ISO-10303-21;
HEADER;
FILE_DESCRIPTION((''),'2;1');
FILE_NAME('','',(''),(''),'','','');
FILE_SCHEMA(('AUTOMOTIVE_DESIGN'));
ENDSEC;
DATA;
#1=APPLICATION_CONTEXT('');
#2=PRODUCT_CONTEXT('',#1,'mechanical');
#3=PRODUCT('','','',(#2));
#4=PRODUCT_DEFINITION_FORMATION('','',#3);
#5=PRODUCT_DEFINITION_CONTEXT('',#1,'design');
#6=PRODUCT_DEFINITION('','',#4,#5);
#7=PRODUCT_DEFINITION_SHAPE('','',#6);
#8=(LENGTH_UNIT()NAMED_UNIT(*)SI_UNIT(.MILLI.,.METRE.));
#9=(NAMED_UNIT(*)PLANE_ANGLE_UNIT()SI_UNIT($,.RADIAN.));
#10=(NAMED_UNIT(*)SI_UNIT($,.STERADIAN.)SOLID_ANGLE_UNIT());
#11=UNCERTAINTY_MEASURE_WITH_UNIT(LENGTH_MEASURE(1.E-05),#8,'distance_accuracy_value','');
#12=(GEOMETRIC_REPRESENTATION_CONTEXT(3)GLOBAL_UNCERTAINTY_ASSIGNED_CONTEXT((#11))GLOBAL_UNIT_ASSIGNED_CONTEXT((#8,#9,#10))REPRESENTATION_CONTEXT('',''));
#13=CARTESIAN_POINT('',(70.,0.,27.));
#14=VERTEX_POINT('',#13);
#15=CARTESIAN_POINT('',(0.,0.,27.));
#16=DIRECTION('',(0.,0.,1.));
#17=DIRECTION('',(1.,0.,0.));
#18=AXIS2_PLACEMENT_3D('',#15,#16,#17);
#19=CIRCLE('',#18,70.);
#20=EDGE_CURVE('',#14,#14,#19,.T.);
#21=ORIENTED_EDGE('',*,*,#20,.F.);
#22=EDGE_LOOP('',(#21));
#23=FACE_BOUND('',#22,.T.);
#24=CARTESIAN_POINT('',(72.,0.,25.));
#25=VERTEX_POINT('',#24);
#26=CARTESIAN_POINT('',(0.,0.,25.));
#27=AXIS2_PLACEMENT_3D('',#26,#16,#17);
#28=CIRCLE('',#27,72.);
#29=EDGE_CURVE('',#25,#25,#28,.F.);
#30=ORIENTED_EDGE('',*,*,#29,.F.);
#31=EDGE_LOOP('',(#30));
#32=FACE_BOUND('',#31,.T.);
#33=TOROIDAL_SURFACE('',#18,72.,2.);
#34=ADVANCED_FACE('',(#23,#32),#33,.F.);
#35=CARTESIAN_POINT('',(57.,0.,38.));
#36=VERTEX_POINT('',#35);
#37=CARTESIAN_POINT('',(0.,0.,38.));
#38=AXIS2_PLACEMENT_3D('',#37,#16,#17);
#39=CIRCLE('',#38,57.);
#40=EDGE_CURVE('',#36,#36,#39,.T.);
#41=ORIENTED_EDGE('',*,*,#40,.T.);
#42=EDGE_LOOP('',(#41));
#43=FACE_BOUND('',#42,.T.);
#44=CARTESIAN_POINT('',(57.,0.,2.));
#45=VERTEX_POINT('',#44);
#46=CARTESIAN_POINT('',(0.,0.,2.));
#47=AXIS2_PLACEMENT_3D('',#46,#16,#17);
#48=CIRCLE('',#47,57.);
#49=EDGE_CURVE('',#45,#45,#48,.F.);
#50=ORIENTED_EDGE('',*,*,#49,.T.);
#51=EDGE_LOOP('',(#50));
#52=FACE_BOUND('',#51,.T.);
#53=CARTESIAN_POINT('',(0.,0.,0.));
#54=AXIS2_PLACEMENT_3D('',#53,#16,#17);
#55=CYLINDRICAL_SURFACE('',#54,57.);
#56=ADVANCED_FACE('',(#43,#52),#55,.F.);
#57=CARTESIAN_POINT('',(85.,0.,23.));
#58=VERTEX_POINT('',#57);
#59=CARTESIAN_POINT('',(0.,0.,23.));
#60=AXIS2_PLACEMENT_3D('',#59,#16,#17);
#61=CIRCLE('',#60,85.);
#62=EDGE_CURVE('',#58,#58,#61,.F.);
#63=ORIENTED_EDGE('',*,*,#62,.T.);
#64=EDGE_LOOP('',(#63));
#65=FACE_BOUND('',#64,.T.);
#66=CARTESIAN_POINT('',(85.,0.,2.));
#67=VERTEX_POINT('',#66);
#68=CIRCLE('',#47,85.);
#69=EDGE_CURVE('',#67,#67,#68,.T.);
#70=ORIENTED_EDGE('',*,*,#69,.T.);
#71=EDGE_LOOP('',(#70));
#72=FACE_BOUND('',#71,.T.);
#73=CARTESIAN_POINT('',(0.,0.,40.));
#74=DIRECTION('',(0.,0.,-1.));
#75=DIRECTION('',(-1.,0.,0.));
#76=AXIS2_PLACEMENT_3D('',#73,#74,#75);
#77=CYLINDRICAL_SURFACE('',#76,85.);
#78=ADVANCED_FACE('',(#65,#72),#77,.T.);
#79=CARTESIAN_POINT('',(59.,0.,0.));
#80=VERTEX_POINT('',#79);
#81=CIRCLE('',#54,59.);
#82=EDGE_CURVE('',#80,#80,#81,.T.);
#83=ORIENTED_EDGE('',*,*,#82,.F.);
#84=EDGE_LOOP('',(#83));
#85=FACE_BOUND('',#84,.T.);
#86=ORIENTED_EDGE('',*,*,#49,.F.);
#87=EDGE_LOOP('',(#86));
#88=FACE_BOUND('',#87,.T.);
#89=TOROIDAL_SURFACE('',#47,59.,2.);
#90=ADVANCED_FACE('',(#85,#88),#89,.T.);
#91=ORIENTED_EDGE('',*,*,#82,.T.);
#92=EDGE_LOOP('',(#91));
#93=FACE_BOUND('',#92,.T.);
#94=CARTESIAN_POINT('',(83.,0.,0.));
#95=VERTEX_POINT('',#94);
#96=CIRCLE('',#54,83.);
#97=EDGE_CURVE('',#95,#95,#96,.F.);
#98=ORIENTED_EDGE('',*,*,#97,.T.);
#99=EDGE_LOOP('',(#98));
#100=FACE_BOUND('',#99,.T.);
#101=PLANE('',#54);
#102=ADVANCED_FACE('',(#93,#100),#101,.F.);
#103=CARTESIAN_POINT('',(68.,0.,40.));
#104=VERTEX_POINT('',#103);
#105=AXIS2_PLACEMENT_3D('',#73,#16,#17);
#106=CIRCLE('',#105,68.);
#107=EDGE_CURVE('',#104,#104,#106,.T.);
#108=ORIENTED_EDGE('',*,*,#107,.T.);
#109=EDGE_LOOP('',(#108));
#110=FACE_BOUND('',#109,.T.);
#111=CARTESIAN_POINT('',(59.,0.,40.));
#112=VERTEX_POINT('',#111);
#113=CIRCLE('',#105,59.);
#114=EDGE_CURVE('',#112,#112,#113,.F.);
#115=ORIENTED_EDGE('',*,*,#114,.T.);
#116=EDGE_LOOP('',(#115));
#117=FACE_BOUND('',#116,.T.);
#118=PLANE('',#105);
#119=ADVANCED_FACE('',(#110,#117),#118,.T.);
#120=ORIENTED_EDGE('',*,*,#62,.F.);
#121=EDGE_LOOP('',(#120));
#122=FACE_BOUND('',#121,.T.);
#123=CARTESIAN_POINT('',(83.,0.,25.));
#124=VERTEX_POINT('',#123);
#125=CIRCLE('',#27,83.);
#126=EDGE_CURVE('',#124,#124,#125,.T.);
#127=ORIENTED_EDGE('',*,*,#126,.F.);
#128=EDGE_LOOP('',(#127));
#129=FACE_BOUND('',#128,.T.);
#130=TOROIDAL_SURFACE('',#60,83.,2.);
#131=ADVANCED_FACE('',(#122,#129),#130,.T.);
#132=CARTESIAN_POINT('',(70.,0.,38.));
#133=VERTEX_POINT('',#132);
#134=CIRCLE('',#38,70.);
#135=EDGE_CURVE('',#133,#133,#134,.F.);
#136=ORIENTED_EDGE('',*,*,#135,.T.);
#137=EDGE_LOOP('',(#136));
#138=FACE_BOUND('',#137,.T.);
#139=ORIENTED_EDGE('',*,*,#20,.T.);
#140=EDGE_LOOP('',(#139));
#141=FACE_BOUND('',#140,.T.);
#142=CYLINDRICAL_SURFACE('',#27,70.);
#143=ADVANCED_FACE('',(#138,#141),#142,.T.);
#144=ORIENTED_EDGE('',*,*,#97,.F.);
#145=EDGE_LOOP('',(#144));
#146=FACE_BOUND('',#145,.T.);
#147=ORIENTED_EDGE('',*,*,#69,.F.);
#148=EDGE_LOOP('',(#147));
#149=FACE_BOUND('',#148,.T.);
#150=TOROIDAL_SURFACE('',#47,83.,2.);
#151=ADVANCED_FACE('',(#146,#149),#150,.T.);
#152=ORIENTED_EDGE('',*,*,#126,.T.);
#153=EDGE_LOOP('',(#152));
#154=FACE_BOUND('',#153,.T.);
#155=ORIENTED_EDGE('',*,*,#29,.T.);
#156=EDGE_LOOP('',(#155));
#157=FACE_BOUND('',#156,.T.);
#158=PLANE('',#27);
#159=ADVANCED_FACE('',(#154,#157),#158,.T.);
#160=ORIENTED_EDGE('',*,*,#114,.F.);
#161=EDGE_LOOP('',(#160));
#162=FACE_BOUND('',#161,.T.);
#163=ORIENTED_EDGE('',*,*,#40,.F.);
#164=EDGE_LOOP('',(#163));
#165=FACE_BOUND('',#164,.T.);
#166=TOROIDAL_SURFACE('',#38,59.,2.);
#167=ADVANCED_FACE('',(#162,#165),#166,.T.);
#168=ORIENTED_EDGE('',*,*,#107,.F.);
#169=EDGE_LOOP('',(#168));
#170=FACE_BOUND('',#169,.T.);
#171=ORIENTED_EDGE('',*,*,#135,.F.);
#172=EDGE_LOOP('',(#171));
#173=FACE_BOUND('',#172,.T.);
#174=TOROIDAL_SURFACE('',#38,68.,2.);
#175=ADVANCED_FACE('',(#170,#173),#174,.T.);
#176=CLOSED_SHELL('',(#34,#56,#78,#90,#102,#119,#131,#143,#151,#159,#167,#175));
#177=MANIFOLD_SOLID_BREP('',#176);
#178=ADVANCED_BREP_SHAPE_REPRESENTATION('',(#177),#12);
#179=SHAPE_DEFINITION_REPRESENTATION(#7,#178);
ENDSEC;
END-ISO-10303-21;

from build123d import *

# Parameters (mm, degrees)
SKETCH_1_R          = 85
EXTRUDE_1_DEPTH     = 40
SKETCH_2_R          = 57
CUT_EXTRUDE_1_DEPTH = 127.688594593
CUT_EXTRUDE_START   = -15
SKETCH_3_R          = 85
SKETCH_3_R_2        = 70
CUT_EXTRUDE_2_DEPTH = 15
FILLET_1_R          = 2


with BuildPart() as part:
    # 草图1 → 凸台-拉伸1 (new body)
    with BuildSketch(Plane.XY):
        Circle(SKETCH_1_R)
    extrude(amount=EXTRUDE_1_DEPTH)

    # 草图2 → 切除-拉伸1 (cut, through all)
    with BuildSketch(Plane.XY.offset(40)):
        Circle(SKETCH_2_R)
    extrude(amount=-CUT_EXTRUDE_1_DEPTH, mode=Mode.SUBTRACT)

    # 草图3 → 切除-拉伸2 (cut)
    with BuildSketch(Plane.XY.offset(40).offset(CUT_EXTRUDE_START)):
        Circle(SKETCH_3_R)
        Circle(SKETCH_3_R_2, mode=Mode.SUBTRACT)
    extrude(amount=CUT_EXTRUDE_2_DEPTH, mode=Mode.SUBTRACT)

    # 圆角1
    fillet_1_edges = [part.edges().sort_by_distance(p)[0] for p in [
        (-85, 0, 25),
        (-70, 0, 25),
        (-70, 0, 40),
        (-85, 0, 0),
        (-57, 0, 0),
        (-57, 0, 40),
    ]]
    fillet(fillet_1_edges, radius=FILLET_1_R)


solid = part.part
